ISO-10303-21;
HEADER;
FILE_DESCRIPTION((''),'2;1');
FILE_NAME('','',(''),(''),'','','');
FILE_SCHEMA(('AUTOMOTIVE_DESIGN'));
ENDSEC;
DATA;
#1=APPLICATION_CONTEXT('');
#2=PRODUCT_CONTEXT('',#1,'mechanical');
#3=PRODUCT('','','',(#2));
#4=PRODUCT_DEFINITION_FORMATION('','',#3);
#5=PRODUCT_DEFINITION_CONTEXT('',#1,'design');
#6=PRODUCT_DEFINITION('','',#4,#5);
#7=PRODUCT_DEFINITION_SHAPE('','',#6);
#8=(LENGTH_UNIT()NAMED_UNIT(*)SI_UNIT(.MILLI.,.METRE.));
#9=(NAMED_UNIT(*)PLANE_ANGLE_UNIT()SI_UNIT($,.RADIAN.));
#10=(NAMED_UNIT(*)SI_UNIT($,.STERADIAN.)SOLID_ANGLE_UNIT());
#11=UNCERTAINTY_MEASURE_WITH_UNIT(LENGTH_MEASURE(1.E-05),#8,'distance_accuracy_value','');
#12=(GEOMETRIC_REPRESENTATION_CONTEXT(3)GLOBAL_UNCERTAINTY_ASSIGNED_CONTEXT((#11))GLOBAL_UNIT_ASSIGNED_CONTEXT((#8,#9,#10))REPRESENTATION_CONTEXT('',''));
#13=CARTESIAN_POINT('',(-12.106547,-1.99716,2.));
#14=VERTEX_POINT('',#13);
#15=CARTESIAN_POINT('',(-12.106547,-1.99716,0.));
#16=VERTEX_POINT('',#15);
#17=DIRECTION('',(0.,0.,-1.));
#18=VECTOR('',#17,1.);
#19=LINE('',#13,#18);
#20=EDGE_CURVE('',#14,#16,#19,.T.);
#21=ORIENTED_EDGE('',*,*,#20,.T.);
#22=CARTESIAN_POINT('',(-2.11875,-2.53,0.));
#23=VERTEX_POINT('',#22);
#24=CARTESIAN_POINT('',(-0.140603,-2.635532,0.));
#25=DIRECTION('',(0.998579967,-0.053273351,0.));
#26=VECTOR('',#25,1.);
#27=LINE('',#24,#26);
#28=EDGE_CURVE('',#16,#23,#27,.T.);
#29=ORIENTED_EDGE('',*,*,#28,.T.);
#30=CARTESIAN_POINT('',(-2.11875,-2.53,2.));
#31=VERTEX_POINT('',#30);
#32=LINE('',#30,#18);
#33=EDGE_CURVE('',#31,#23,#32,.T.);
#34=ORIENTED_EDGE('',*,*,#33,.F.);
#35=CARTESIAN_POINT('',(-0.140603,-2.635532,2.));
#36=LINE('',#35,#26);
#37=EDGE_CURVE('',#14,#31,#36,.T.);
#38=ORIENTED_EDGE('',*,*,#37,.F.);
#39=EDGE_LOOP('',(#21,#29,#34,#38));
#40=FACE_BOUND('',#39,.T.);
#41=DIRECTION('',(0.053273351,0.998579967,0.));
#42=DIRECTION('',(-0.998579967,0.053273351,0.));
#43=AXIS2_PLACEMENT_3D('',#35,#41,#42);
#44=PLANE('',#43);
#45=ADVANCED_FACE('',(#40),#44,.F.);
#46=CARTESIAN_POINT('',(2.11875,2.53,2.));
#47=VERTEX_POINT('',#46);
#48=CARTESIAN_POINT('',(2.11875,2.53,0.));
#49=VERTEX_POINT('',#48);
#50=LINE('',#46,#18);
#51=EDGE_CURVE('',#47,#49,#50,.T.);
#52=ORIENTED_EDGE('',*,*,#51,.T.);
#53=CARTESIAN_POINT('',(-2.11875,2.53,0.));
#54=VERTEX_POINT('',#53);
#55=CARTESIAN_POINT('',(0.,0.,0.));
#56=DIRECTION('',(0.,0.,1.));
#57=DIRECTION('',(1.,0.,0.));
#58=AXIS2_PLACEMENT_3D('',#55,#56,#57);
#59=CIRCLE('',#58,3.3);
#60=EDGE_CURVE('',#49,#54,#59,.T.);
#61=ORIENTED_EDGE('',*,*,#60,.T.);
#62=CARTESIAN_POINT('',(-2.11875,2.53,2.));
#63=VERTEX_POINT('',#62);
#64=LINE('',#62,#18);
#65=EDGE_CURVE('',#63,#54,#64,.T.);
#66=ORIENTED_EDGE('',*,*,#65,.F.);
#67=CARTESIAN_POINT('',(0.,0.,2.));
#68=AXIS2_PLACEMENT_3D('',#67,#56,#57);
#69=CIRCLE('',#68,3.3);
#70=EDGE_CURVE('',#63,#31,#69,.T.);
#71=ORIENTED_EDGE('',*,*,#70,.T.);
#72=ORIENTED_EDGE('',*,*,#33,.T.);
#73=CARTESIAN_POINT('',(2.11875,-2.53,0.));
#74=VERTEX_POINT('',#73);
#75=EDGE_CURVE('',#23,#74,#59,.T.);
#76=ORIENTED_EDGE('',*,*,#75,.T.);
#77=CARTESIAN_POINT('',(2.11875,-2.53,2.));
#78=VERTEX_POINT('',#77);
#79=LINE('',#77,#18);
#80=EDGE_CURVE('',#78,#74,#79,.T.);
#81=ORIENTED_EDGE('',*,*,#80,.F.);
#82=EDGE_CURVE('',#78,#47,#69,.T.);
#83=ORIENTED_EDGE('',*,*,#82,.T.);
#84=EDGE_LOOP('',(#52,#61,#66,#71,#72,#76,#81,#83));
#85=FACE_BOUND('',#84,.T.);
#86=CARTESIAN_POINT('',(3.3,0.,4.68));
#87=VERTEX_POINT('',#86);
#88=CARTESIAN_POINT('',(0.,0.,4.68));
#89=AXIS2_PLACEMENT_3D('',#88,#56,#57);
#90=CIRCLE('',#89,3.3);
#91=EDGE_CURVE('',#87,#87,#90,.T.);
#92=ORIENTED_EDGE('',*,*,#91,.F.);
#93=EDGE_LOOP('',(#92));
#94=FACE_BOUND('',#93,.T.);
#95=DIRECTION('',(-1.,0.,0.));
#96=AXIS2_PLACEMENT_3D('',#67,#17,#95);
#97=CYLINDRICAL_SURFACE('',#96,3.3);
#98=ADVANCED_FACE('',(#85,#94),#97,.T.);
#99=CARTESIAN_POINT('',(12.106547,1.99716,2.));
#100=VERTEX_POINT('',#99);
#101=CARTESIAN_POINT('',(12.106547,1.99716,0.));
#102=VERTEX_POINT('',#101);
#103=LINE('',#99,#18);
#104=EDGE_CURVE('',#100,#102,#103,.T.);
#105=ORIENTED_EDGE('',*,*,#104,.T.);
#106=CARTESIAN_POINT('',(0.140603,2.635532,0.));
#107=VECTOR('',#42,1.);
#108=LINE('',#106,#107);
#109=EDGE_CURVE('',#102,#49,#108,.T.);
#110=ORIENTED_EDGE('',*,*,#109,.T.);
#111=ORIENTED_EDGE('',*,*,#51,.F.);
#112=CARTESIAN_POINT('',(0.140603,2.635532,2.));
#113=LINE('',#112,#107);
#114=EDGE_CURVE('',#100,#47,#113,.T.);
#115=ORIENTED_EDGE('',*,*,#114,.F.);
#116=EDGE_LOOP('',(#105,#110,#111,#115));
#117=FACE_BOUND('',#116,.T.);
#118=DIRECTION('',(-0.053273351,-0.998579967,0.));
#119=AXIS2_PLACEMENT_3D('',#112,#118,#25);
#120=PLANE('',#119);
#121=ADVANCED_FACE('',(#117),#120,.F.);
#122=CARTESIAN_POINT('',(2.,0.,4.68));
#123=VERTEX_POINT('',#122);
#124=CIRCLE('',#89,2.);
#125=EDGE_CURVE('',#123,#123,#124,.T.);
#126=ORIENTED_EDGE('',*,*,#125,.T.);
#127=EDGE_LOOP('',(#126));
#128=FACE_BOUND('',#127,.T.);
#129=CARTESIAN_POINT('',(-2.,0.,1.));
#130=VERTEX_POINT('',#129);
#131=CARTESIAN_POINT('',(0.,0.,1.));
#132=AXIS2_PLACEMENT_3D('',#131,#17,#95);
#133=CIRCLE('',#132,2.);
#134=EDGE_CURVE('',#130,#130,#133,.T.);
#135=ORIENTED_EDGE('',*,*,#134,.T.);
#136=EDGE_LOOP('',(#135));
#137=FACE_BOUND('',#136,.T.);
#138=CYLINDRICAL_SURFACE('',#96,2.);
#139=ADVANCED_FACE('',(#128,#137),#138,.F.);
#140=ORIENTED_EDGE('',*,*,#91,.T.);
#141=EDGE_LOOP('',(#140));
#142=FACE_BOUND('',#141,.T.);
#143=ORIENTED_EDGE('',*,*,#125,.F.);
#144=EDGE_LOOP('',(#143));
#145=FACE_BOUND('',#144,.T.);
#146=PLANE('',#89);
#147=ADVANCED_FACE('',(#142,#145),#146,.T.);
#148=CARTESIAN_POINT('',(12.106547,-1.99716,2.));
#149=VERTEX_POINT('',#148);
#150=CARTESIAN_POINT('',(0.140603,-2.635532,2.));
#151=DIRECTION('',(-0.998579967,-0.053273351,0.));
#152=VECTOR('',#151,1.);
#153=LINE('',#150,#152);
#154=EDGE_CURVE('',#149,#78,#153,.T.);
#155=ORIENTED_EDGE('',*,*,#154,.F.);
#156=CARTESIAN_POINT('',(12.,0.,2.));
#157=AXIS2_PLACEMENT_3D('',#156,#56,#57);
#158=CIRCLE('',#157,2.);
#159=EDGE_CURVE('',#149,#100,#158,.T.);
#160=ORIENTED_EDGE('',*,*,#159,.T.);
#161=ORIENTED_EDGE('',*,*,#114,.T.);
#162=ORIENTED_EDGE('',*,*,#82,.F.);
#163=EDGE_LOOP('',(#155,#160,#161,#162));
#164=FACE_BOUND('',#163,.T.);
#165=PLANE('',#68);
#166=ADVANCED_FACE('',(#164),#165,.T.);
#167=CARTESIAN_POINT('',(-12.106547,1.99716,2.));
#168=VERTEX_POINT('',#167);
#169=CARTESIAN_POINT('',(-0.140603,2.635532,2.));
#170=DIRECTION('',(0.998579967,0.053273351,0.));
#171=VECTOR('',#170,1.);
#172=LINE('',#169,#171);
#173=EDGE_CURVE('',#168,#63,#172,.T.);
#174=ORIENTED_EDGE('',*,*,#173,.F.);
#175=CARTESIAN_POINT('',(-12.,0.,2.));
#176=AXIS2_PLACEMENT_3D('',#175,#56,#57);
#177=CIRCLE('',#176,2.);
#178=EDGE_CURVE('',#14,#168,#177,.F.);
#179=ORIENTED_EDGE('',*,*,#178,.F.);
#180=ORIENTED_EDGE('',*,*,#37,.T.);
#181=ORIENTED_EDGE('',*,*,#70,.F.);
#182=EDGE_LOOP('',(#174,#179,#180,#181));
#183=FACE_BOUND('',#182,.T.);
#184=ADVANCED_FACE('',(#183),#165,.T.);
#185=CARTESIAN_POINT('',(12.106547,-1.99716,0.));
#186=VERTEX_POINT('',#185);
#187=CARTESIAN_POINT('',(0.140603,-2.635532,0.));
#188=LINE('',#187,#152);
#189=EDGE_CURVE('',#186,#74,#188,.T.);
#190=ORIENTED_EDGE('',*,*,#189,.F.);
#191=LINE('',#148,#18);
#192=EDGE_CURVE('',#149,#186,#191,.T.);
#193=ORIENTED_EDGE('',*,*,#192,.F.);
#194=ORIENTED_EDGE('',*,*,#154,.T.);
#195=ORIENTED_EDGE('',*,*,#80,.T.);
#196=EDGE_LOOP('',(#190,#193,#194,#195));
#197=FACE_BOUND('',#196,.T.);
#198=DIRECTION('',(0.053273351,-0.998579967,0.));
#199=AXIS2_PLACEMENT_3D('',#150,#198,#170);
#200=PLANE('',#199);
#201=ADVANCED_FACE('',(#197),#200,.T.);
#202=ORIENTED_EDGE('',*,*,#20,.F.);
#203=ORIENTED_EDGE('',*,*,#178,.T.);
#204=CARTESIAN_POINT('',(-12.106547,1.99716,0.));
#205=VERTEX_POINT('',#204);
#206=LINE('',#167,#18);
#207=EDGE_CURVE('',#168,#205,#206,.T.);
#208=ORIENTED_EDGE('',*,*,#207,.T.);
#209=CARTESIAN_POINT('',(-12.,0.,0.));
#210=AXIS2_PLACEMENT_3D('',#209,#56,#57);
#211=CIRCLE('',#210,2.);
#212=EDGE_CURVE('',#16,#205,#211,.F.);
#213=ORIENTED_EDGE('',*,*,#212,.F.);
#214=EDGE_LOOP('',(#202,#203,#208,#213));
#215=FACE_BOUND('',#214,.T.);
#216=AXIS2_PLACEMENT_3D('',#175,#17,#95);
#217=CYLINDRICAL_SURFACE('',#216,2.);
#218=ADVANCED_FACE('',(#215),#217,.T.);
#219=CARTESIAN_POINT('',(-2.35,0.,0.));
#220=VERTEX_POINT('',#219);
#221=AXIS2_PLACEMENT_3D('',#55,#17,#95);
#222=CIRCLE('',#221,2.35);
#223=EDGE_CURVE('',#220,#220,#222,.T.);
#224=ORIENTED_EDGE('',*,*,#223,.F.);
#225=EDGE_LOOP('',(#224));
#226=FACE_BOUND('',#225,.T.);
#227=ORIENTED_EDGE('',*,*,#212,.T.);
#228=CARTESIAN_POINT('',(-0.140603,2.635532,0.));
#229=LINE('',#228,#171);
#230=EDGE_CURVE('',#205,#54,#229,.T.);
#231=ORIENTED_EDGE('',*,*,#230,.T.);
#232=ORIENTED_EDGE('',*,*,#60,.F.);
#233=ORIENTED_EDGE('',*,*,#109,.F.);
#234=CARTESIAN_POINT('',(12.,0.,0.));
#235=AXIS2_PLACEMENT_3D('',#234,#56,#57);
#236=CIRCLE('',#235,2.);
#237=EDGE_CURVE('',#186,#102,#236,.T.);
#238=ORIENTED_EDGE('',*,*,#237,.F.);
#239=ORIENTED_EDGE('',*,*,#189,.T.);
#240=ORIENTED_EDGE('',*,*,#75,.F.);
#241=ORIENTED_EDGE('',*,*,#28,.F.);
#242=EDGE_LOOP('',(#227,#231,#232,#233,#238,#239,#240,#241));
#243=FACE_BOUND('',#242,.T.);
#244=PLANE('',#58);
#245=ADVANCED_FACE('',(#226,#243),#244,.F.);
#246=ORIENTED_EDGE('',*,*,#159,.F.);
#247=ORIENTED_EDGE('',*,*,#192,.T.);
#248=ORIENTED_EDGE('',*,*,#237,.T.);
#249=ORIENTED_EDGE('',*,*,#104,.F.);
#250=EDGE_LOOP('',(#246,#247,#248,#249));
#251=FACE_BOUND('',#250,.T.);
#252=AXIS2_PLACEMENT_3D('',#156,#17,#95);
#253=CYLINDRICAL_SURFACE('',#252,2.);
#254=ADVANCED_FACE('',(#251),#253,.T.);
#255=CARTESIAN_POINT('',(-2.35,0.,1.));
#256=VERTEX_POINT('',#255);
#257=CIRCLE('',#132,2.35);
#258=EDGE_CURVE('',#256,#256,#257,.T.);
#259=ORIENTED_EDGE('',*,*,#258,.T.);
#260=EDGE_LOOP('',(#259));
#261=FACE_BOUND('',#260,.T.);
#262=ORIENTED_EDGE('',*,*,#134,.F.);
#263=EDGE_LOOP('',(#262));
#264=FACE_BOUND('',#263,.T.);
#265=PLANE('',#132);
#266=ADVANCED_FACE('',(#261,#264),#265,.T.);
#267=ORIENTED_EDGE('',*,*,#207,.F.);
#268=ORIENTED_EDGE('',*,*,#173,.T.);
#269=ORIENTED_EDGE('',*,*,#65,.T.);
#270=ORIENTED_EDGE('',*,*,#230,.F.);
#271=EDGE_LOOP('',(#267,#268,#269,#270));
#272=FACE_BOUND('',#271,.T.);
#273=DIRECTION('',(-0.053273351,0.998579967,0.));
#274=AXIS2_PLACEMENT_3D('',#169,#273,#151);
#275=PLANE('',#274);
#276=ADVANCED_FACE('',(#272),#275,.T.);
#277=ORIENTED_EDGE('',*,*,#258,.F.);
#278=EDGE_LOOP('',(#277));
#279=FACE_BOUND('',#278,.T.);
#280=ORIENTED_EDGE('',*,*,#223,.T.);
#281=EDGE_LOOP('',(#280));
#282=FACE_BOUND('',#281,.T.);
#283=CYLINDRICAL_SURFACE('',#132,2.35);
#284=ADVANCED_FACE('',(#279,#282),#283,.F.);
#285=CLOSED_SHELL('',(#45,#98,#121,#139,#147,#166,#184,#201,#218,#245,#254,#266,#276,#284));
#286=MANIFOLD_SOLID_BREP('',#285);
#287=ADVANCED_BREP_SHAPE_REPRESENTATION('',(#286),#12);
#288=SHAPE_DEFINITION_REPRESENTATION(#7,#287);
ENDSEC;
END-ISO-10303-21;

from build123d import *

# Parameters (mm, degrees)
SKETCH_1_R                 = 2
EXTRUDE_3_DEPTH            = 2
CROQUIS1_R                 = 3.3
CROQUIS1_R_2               = 2
SALIENTE_EXTRUIR1_DEPTH    = 2.68
SKETCH_5_R                 = 2.5
EXTRUDE_7_DEPTH            = 1
CROQUIS2_R                 = 1.25
CORTAR_EXTRUIR1_DEPTH      = 4.68
CORTAR_EXTRUIR1_DEPTH_BACK = 2
CROQUIS3_R                 = 2.35
CORTAR_EXTRUIR2_DEPTH      = 1


with BuildPart() as part:
    # Эскиз1 → Бобышка-Вытянуть3 (new body)
    with BuildSketch(Plane.XY):
        with BuildLine():
            Line((-2.118749631, 2.53), (-12.106546701, 1.997159934))
            ThreePointArc((-12.106546701, 1.997159934), (-14, 0), (-12.106546701, -1.997159934))
            Line((-12.106546701, -1.997159934), (-2.118749631, -2.53))
            ThreePointArc((-2.118749631, -2.53), (0, -3.3), (2.118749631, -2.53))
            Line((2.118749631, -2.53), (12.106546701, -1.997159934))
            ThreePointArc((12.106546701, -1.997159934), (14, 0), (12.106546701, 1.997159934))
            Line((12.106546701, 1.997159934), (2.118749631, 2.53))
            ThreePointArc((2.118749631, 2.53), (0, 3.3), (-2.118749631, 2.53))
        make_face()
        Circle(SKETCH_1_R, mode=Mode.SUBTRACT)
    extrude(amount=EXTRUDE_3_DEPTH)

    # Croquis1 → Saliente-Extruir1 (add)
    with BuildSketch(Plane.XY.offset(2)):
        Circle(CROQUIS1_R)
        Circle(CROQUIS1_R_2, mode=Mode.SUBTRACT)
    extrude(amount=SALIENTE_EXTRUIR1_DEPTH)

    # Эскиз5 → Бобышка-Вытянуть7 (add)
    with BuildSketch(Plane(origin=(0, 0, 0), x_dir=(-1, 0, 0), z_dir=(0, 0, -1))):
        Circle(SKETCH_5_R)
    extrude(amount=-EXTRUDE_7_DEPTH)

    # Croquis2 → Cortar-Extruir1 (cut, two sides)
    with BuildSketch(Plane.XY.offset(1)) as cortar_extruir1_sk:
        Circle(CROQUIS2_R)
    extrude(amount=CORTAR_EXTRUIR1_DEPTH, mode=Mode.SUBTRACT)
    extrude(cortar_extruir1_sk.sketch, amount=-CORTAR_EXTRUIR1_DEPTH_BACK, mode=Mode.SUBTRACT)

    # Croquis3 → Cortar-Extruir2 (cut)
    with BuildSketch(Plane(origin=(0, 0, 0), x_dir=(-1, 0, 0), z_dir=(0, 0, -1))):
        Circle(CROQUIS3_R)
    extrude(amount=-CORTAR_EXTRUIR2_DEPTH, mode=Mode.SUBTRACT)


solid = part.part
